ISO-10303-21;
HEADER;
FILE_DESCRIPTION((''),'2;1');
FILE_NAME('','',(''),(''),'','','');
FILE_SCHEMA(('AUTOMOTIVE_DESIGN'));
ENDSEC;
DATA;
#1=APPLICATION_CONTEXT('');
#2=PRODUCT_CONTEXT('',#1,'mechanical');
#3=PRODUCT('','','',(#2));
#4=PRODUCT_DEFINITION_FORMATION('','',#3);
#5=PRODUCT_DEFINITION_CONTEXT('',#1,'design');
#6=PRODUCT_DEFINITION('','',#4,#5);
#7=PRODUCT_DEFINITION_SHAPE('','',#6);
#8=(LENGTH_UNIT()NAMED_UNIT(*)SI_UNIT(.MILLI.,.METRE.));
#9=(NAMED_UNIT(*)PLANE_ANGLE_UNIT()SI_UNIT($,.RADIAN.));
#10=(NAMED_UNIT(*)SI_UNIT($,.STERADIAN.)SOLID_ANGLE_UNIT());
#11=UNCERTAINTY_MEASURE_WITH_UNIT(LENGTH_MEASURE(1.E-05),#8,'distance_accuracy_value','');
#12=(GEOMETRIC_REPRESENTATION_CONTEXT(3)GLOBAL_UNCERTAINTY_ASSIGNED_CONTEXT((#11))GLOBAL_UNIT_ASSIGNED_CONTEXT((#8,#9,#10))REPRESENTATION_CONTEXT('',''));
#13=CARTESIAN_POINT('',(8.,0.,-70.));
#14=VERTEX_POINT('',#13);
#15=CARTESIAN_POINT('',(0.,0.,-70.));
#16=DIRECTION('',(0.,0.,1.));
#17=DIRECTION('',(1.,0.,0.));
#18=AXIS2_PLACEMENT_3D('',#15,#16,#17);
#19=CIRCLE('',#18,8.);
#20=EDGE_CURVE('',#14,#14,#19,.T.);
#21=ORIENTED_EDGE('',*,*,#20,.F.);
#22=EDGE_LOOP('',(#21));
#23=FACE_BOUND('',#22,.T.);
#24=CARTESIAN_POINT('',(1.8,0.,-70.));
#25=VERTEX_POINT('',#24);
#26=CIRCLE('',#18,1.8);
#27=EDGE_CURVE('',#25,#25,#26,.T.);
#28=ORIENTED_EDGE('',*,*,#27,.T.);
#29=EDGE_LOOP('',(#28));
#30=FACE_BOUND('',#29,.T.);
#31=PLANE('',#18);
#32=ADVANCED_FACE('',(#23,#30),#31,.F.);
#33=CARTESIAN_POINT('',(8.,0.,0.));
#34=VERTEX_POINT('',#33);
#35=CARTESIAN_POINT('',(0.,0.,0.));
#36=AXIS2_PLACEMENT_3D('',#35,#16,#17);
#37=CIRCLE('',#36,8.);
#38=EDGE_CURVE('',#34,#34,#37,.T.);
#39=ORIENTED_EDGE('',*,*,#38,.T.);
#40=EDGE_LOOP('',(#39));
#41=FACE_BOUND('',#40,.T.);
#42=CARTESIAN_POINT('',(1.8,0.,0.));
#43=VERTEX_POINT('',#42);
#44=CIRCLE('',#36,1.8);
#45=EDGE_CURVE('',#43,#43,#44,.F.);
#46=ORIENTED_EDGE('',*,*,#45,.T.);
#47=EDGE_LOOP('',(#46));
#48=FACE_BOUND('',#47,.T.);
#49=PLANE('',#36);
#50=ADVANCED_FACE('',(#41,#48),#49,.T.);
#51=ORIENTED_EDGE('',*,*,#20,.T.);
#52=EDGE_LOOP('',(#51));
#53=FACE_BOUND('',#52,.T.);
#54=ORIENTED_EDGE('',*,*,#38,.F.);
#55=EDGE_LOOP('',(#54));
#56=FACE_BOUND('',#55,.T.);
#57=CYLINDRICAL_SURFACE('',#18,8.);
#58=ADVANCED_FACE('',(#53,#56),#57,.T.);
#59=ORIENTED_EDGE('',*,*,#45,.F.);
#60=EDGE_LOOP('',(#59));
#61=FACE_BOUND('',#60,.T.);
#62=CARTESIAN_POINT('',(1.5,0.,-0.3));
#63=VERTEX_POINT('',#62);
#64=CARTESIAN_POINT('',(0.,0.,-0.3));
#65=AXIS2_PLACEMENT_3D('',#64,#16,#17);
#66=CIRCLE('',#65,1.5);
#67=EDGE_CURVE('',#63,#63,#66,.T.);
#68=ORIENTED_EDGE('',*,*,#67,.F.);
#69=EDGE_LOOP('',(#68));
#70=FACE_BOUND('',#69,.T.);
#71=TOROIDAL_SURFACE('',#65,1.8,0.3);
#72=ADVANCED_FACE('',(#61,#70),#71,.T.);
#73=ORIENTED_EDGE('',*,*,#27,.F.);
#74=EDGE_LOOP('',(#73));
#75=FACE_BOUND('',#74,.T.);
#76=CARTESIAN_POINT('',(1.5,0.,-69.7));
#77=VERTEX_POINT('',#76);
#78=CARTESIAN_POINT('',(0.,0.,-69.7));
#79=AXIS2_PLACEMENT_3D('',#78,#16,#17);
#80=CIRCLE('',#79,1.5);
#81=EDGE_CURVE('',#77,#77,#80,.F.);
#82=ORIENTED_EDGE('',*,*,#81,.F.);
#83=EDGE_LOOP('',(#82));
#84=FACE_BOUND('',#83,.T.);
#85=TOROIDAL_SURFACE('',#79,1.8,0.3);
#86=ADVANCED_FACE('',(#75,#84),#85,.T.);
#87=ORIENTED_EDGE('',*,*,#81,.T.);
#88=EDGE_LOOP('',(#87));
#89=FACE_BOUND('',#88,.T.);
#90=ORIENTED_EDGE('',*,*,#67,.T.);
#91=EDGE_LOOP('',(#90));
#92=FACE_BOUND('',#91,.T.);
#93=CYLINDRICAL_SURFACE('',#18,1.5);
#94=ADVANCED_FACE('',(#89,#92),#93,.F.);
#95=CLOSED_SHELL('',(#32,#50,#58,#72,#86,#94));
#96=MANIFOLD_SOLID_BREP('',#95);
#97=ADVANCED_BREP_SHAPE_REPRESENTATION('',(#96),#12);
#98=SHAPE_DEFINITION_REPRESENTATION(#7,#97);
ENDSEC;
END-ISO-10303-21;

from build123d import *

# Parameters (mm, degrees)
SKETCH_1_R          = 8
EXTRUDE_1_DEPTH     = 70
SKETCH_6_R          = 1.5
CUT_EXTRUDE_1_DEPTH = 71
FILLET_1_R          = 0.3


with BuildPart() as part:
    # 草图1 → 凸台-拉伸1 (new body)
    with BuildSketch(Plane.XY):
        Circle(SKETCH_1_R)
    extrude(amount=-EXTRUDE_1_DEPTH)

    # 草图6 → 切除-拉伸1 (cut, through all)
    with BuildSketch(Plane.XY):
        Circle(SKETCH_6_R)
    extrude(amount=-CUT_EXTRUDE_1_DEPTH, mode=Mode.SUBTRACT)

    # 圆角1
    fillet_1_edges = [part.edges().sort_by_distance(p)[0] for p in [
        (-1.5, 0, -70),
        (-1.5, 0, 0),
    ]]
    fillet(fillet_1_edges, radius=FILLET_1_R)


solid = part.part
